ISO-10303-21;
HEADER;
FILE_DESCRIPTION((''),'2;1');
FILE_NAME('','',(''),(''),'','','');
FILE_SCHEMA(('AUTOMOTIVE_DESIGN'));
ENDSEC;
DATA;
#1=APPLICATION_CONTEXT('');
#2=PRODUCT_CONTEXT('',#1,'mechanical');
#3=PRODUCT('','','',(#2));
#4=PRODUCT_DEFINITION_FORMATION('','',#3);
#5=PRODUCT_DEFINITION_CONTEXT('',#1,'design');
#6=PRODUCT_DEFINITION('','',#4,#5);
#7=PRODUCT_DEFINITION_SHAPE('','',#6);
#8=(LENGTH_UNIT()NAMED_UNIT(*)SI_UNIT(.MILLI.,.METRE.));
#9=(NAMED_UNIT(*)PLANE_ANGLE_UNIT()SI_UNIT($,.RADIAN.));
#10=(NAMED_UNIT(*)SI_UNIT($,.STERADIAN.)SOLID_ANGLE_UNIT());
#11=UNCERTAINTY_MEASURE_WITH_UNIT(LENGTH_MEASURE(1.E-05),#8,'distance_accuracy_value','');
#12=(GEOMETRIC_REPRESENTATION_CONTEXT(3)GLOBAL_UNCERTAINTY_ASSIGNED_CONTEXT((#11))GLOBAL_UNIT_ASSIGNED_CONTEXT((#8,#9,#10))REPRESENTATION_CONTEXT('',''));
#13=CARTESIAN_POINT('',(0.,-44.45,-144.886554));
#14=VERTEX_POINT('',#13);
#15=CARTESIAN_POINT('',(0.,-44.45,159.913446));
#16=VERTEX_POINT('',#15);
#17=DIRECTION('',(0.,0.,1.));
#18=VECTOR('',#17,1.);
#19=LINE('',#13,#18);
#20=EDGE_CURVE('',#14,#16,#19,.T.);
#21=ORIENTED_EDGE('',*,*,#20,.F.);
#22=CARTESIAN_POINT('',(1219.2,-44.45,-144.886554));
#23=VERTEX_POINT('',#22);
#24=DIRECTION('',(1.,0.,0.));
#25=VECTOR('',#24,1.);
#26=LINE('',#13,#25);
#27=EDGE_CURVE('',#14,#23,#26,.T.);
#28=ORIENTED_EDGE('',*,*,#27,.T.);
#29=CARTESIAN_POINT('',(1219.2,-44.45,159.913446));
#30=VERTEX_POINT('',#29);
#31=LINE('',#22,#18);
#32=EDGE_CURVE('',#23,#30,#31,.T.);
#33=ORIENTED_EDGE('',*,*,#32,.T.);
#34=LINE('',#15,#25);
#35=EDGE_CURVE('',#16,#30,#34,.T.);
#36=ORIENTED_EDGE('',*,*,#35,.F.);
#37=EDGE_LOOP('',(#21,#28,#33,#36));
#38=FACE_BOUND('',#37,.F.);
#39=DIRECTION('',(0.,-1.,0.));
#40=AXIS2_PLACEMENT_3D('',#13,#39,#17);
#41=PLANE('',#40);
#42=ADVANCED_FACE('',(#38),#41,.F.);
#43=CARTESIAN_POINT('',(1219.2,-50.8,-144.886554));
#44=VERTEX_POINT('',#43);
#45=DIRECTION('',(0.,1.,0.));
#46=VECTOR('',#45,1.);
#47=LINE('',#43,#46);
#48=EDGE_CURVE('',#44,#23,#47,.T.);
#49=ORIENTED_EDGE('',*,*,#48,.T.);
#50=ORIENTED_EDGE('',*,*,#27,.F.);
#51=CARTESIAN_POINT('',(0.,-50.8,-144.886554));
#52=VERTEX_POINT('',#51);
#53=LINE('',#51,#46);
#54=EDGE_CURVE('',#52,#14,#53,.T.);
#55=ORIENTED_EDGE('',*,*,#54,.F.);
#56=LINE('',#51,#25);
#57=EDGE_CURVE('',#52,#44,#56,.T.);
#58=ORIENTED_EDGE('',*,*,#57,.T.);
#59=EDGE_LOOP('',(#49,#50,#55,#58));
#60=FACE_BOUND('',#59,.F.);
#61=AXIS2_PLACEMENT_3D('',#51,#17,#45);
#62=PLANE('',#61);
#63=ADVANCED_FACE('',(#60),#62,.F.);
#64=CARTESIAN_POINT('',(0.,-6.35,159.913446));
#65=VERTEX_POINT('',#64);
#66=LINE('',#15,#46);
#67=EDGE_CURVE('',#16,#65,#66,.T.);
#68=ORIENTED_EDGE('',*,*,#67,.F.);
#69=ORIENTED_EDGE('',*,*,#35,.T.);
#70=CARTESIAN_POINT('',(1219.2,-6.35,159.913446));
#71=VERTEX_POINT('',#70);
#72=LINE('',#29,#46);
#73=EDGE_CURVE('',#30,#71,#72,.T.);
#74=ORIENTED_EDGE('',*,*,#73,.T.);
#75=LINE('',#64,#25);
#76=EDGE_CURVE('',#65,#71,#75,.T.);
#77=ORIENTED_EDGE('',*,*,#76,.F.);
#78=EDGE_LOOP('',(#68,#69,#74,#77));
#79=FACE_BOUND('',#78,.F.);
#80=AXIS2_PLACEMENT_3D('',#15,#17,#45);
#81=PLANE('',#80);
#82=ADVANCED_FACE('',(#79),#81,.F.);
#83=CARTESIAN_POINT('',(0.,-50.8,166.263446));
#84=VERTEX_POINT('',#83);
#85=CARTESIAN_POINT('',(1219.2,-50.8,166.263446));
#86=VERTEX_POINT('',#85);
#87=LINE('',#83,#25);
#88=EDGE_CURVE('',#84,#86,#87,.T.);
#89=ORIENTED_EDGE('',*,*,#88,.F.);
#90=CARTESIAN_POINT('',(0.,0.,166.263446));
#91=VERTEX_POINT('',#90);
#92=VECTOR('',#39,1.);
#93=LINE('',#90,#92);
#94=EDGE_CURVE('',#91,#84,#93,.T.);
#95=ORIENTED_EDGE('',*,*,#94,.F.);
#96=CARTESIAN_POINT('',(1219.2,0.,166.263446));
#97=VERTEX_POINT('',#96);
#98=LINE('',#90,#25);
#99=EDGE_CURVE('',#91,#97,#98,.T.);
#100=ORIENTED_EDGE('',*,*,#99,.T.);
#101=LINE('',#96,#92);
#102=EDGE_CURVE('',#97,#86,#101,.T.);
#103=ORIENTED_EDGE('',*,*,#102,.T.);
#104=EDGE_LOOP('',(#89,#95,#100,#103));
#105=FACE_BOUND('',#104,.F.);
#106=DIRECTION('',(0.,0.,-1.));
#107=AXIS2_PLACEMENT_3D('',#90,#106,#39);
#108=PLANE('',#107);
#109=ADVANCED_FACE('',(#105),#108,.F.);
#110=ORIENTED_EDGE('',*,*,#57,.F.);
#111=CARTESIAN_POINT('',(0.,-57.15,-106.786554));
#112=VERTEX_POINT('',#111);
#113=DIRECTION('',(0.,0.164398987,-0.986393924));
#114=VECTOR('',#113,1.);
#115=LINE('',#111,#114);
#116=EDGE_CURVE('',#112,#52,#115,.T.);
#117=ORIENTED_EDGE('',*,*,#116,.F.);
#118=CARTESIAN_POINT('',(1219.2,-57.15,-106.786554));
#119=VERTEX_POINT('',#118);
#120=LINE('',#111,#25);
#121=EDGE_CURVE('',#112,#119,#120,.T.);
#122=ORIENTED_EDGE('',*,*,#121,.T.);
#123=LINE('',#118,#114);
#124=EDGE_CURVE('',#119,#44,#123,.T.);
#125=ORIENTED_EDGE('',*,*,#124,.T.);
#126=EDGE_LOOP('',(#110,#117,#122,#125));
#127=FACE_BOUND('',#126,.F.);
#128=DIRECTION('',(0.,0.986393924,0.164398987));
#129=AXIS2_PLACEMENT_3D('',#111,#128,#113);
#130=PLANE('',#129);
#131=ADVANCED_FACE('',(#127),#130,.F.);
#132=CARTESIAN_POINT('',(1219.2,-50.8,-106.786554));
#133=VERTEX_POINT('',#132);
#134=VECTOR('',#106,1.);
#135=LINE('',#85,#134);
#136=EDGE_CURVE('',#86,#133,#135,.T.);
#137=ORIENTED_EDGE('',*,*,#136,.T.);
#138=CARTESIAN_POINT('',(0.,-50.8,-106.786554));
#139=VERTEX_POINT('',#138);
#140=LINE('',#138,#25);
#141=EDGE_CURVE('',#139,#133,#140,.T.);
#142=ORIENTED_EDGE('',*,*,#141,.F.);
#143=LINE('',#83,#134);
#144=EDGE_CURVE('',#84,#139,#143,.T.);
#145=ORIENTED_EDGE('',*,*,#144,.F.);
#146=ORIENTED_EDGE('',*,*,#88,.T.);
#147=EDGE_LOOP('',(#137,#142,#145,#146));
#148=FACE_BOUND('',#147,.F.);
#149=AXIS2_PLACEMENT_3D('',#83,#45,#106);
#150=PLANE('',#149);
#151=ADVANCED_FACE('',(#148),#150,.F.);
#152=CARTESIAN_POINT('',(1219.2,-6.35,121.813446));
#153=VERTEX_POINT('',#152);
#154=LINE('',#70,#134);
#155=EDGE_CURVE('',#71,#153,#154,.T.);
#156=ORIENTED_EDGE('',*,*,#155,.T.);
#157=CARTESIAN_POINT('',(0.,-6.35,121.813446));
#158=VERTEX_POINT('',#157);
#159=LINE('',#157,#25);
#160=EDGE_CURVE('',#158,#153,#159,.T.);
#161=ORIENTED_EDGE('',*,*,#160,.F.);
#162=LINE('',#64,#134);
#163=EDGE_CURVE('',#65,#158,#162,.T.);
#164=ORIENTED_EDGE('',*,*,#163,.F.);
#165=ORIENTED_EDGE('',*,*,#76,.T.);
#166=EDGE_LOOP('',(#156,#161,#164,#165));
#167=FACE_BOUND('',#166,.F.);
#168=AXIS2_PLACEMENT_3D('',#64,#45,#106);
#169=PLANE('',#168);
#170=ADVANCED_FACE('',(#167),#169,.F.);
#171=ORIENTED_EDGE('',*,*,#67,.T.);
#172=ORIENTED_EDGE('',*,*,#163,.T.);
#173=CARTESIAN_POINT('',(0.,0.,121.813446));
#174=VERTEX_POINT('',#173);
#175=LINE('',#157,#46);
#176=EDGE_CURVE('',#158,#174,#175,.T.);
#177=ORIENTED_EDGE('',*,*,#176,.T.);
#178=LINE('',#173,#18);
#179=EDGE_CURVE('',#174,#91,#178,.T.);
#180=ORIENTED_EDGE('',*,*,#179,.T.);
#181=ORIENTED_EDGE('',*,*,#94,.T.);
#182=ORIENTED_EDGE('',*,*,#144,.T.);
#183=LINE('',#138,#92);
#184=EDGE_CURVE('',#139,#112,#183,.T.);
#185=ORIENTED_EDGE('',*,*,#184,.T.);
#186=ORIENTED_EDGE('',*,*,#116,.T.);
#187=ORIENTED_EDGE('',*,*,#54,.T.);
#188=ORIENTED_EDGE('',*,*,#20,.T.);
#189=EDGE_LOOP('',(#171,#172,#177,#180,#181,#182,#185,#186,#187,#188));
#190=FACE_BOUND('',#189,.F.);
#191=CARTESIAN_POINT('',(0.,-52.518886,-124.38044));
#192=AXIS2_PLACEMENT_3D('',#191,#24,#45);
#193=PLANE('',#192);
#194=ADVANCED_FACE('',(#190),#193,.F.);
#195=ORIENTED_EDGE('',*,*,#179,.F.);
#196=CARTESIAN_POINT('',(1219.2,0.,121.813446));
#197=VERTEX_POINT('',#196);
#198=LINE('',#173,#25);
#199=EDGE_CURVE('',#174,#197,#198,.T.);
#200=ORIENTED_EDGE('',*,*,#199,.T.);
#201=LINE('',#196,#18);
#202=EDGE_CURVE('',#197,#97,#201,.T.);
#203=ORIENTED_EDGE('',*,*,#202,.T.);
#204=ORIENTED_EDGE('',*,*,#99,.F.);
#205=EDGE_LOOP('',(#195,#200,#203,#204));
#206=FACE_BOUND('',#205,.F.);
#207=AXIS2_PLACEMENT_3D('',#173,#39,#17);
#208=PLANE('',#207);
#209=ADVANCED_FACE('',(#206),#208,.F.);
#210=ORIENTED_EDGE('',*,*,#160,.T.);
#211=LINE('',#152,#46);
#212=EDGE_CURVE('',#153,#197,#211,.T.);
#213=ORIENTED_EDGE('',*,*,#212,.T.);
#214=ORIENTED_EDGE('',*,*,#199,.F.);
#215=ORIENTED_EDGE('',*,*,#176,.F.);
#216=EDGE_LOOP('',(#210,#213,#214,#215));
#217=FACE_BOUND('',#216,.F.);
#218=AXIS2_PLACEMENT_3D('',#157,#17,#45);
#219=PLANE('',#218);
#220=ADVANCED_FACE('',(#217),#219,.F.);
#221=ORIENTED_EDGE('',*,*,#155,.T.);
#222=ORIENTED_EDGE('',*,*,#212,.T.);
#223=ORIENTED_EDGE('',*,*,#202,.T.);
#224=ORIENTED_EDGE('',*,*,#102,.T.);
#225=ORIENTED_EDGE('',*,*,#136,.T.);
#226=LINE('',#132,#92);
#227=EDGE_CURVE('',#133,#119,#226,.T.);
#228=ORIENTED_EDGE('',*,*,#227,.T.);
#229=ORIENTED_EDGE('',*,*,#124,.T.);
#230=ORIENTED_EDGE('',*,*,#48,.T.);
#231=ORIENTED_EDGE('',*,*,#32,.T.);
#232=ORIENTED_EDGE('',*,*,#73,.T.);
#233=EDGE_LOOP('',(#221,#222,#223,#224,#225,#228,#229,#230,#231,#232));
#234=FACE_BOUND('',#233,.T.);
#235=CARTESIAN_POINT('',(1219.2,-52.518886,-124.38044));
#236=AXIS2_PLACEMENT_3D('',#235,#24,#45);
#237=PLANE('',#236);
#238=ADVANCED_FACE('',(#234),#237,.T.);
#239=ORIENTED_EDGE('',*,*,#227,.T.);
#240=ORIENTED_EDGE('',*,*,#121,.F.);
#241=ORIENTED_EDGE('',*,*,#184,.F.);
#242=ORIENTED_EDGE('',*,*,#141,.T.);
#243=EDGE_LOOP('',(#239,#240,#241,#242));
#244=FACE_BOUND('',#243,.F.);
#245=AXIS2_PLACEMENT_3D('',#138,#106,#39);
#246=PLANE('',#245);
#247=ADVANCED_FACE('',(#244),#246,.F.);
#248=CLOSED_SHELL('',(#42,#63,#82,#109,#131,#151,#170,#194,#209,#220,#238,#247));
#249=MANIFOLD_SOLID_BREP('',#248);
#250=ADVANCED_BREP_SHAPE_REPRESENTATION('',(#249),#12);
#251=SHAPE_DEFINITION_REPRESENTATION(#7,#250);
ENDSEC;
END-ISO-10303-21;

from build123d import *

# Parameters (mm, degrees)
F1_DEPTH = 1219.2
F2_DEPTH = 1219.2


with BuildPart() as f1:
    # F0 (on Right) → F1 (new body)
    with BuildSketch(Plane.YZ):
        Polygon((-44.45, -144.886554), (-44.45, 159.913446), (-6.35, 159.913446), (-6.35, 121.813446), (0, 121.813446), (0, 166.263446), (-50.8, 166.263446), (-50.8, -106.786554), (-50.8, -144.886554), align=None)
    extrude(amount=F1_DEPTH)

    # F0 (on Right) → F2 (join)
    with BuildSketch(Plane.YZ):
        Polygon((-57.15, -106.786554), (-50.8, -144.886554), (-50.8, -106.786554), align=None)
    extrude(amount=F2_DEPTH)


solid = f1.part
